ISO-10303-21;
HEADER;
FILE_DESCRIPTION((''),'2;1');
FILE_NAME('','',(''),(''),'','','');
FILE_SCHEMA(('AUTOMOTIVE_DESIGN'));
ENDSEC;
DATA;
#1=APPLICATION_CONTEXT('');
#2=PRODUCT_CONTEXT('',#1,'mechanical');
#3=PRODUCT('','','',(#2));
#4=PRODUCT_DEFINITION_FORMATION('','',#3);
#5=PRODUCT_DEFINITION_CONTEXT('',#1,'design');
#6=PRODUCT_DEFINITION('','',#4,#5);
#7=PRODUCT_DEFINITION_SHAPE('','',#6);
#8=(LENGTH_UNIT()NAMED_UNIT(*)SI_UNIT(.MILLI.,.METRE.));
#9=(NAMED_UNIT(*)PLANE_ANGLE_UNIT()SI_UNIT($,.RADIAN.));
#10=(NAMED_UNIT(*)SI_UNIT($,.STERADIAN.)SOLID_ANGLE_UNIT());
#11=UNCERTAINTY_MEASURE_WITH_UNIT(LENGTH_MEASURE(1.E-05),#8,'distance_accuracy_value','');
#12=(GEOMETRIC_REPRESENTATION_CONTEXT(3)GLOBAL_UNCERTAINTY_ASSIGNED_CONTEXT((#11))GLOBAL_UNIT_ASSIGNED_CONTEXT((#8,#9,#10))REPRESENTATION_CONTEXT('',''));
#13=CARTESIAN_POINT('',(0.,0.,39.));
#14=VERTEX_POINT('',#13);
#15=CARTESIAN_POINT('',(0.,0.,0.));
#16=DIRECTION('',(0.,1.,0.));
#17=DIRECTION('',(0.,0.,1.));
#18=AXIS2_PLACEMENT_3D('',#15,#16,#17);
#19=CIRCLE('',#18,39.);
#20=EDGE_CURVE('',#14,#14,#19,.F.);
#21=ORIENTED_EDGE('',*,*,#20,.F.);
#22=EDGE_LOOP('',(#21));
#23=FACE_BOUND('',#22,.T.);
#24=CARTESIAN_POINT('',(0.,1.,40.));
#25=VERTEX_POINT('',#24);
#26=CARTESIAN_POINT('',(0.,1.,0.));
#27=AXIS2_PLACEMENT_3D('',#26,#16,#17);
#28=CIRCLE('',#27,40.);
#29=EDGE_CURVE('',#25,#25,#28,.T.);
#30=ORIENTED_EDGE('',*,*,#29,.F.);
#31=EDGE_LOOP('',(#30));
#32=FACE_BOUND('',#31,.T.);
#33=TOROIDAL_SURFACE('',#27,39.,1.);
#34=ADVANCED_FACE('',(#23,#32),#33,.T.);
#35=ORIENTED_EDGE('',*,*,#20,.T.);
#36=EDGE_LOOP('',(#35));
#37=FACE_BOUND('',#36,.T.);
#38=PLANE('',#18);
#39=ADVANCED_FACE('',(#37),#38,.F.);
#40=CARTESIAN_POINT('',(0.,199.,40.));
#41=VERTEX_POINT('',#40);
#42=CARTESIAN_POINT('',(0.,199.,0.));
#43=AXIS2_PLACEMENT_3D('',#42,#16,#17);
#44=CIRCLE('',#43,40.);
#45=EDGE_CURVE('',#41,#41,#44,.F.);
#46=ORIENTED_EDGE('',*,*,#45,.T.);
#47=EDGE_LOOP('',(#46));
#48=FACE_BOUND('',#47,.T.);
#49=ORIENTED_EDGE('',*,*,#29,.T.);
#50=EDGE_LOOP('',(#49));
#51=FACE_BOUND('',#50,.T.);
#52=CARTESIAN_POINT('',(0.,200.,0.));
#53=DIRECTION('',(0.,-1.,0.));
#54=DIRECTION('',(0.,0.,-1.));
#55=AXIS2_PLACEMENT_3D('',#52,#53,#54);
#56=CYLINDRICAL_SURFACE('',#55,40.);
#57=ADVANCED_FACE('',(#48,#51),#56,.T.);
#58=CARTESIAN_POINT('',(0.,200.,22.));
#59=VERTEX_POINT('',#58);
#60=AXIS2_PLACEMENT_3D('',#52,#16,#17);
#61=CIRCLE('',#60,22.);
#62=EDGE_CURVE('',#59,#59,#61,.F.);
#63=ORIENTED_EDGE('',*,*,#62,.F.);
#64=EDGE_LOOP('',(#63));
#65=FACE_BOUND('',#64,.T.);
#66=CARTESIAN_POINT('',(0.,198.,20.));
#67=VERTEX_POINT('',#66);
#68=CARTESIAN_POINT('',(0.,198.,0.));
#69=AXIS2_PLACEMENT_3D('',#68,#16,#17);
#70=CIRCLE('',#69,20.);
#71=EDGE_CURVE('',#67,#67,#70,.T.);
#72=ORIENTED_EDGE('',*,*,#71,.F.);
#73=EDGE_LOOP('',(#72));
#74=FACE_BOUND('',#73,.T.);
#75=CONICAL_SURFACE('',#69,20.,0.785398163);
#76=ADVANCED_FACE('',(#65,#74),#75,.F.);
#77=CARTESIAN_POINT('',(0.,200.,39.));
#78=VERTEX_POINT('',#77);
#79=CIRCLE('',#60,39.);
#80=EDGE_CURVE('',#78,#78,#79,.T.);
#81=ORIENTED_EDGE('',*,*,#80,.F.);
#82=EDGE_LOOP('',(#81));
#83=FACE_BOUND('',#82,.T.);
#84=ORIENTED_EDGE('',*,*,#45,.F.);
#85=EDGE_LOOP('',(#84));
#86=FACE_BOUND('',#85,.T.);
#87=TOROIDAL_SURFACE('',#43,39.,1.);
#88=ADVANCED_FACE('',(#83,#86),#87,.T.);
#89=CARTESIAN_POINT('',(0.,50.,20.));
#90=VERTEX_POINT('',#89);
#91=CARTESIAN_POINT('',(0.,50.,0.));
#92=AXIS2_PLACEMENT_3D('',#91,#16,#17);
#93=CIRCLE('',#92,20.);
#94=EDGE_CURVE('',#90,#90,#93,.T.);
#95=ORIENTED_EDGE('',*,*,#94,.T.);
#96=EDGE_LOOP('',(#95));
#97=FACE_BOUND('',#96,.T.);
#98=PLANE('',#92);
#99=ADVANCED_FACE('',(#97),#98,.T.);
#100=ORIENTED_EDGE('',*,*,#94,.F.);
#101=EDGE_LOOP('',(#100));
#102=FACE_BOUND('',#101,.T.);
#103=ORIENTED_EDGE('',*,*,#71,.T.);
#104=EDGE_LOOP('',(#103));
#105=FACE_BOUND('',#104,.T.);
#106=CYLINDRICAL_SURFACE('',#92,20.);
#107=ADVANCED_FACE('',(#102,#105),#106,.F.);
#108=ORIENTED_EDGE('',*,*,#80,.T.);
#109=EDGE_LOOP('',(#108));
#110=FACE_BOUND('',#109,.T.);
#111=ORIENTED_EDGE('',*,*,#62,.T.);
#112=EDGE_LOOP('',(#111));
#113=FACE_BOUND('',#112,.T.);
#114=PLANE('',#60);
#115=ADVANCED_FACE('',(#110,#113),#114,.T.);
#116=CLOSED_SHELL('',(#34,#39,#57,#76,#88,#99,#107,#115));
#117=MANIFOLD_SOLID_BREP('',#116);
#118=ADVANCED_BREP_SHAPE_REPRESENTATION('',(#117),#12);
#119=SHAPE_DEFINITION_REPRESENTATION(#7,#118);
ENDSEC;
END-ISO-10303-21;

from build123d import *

# Parameters (mm, degrees)
SKETCH_1_R          = 40
EXTRUDE_1_DEPTH     = 200
SKETCH_2_R          = 20
CUT_EXTRUDE_1_DEPTH = 150
CHAMFER_1_SIZE      = 2
FILLET_1_R          = 1
FILLET_2_R          = 1


with BuildPart() as part:
    # Эскиз1 → Бобышка-Вытянуть1 (new body)
    with BuildSketch(Plane(origin=(0, 0, 0), x_dir=(1, 0, 0), z_dir=(0, 1, 0))):
        with Locations(Location((0, 0, 0), (0, 0, 270))):
            Circle(SKETCH_1_R)
    extrude(amount=EXTRUDE_1_DEPTH)

    # Эскиз2 → Вырез-Вытянуть1 (cut)
    with BuildSketch(Plane(origin=(0, 200, 0), x_dir=(1, 0, 0), z_dir=(0, 1, 0))):
        with Locations(Location((0, 0, 0), (0, 0, 270))):
            Circle(SKETCH_2_R)
    extrude(amount=-CUT_EXTRUDE_1_DEPTH, mode=Mode.SUBTRACT)

    # Фаска1
    chamfer_1_edges = [part.edges().sort_by_distance(p)[0] for p in [
        (0, 200, -20),
    ]]
    chamfer(chamfer_1_edges, length=CHAMFER_1_SIZE)

    # Скругление1
    fillet_1_edges = [part.edges().sort_by_distance(p)[0] for p in [
        (0, 0, -40),
    ]]
    fillet(fillet_1_edges, radius=FILLET_1_R)

    # Скругление2
    fillet_2_edges = [part.edges().sort_by_distance(p)[0] for p in [
        (0, 200, -40),
    ]]
    fillet(fillet_2_edges, radius=FILLET_2_R)


solid = part.part
